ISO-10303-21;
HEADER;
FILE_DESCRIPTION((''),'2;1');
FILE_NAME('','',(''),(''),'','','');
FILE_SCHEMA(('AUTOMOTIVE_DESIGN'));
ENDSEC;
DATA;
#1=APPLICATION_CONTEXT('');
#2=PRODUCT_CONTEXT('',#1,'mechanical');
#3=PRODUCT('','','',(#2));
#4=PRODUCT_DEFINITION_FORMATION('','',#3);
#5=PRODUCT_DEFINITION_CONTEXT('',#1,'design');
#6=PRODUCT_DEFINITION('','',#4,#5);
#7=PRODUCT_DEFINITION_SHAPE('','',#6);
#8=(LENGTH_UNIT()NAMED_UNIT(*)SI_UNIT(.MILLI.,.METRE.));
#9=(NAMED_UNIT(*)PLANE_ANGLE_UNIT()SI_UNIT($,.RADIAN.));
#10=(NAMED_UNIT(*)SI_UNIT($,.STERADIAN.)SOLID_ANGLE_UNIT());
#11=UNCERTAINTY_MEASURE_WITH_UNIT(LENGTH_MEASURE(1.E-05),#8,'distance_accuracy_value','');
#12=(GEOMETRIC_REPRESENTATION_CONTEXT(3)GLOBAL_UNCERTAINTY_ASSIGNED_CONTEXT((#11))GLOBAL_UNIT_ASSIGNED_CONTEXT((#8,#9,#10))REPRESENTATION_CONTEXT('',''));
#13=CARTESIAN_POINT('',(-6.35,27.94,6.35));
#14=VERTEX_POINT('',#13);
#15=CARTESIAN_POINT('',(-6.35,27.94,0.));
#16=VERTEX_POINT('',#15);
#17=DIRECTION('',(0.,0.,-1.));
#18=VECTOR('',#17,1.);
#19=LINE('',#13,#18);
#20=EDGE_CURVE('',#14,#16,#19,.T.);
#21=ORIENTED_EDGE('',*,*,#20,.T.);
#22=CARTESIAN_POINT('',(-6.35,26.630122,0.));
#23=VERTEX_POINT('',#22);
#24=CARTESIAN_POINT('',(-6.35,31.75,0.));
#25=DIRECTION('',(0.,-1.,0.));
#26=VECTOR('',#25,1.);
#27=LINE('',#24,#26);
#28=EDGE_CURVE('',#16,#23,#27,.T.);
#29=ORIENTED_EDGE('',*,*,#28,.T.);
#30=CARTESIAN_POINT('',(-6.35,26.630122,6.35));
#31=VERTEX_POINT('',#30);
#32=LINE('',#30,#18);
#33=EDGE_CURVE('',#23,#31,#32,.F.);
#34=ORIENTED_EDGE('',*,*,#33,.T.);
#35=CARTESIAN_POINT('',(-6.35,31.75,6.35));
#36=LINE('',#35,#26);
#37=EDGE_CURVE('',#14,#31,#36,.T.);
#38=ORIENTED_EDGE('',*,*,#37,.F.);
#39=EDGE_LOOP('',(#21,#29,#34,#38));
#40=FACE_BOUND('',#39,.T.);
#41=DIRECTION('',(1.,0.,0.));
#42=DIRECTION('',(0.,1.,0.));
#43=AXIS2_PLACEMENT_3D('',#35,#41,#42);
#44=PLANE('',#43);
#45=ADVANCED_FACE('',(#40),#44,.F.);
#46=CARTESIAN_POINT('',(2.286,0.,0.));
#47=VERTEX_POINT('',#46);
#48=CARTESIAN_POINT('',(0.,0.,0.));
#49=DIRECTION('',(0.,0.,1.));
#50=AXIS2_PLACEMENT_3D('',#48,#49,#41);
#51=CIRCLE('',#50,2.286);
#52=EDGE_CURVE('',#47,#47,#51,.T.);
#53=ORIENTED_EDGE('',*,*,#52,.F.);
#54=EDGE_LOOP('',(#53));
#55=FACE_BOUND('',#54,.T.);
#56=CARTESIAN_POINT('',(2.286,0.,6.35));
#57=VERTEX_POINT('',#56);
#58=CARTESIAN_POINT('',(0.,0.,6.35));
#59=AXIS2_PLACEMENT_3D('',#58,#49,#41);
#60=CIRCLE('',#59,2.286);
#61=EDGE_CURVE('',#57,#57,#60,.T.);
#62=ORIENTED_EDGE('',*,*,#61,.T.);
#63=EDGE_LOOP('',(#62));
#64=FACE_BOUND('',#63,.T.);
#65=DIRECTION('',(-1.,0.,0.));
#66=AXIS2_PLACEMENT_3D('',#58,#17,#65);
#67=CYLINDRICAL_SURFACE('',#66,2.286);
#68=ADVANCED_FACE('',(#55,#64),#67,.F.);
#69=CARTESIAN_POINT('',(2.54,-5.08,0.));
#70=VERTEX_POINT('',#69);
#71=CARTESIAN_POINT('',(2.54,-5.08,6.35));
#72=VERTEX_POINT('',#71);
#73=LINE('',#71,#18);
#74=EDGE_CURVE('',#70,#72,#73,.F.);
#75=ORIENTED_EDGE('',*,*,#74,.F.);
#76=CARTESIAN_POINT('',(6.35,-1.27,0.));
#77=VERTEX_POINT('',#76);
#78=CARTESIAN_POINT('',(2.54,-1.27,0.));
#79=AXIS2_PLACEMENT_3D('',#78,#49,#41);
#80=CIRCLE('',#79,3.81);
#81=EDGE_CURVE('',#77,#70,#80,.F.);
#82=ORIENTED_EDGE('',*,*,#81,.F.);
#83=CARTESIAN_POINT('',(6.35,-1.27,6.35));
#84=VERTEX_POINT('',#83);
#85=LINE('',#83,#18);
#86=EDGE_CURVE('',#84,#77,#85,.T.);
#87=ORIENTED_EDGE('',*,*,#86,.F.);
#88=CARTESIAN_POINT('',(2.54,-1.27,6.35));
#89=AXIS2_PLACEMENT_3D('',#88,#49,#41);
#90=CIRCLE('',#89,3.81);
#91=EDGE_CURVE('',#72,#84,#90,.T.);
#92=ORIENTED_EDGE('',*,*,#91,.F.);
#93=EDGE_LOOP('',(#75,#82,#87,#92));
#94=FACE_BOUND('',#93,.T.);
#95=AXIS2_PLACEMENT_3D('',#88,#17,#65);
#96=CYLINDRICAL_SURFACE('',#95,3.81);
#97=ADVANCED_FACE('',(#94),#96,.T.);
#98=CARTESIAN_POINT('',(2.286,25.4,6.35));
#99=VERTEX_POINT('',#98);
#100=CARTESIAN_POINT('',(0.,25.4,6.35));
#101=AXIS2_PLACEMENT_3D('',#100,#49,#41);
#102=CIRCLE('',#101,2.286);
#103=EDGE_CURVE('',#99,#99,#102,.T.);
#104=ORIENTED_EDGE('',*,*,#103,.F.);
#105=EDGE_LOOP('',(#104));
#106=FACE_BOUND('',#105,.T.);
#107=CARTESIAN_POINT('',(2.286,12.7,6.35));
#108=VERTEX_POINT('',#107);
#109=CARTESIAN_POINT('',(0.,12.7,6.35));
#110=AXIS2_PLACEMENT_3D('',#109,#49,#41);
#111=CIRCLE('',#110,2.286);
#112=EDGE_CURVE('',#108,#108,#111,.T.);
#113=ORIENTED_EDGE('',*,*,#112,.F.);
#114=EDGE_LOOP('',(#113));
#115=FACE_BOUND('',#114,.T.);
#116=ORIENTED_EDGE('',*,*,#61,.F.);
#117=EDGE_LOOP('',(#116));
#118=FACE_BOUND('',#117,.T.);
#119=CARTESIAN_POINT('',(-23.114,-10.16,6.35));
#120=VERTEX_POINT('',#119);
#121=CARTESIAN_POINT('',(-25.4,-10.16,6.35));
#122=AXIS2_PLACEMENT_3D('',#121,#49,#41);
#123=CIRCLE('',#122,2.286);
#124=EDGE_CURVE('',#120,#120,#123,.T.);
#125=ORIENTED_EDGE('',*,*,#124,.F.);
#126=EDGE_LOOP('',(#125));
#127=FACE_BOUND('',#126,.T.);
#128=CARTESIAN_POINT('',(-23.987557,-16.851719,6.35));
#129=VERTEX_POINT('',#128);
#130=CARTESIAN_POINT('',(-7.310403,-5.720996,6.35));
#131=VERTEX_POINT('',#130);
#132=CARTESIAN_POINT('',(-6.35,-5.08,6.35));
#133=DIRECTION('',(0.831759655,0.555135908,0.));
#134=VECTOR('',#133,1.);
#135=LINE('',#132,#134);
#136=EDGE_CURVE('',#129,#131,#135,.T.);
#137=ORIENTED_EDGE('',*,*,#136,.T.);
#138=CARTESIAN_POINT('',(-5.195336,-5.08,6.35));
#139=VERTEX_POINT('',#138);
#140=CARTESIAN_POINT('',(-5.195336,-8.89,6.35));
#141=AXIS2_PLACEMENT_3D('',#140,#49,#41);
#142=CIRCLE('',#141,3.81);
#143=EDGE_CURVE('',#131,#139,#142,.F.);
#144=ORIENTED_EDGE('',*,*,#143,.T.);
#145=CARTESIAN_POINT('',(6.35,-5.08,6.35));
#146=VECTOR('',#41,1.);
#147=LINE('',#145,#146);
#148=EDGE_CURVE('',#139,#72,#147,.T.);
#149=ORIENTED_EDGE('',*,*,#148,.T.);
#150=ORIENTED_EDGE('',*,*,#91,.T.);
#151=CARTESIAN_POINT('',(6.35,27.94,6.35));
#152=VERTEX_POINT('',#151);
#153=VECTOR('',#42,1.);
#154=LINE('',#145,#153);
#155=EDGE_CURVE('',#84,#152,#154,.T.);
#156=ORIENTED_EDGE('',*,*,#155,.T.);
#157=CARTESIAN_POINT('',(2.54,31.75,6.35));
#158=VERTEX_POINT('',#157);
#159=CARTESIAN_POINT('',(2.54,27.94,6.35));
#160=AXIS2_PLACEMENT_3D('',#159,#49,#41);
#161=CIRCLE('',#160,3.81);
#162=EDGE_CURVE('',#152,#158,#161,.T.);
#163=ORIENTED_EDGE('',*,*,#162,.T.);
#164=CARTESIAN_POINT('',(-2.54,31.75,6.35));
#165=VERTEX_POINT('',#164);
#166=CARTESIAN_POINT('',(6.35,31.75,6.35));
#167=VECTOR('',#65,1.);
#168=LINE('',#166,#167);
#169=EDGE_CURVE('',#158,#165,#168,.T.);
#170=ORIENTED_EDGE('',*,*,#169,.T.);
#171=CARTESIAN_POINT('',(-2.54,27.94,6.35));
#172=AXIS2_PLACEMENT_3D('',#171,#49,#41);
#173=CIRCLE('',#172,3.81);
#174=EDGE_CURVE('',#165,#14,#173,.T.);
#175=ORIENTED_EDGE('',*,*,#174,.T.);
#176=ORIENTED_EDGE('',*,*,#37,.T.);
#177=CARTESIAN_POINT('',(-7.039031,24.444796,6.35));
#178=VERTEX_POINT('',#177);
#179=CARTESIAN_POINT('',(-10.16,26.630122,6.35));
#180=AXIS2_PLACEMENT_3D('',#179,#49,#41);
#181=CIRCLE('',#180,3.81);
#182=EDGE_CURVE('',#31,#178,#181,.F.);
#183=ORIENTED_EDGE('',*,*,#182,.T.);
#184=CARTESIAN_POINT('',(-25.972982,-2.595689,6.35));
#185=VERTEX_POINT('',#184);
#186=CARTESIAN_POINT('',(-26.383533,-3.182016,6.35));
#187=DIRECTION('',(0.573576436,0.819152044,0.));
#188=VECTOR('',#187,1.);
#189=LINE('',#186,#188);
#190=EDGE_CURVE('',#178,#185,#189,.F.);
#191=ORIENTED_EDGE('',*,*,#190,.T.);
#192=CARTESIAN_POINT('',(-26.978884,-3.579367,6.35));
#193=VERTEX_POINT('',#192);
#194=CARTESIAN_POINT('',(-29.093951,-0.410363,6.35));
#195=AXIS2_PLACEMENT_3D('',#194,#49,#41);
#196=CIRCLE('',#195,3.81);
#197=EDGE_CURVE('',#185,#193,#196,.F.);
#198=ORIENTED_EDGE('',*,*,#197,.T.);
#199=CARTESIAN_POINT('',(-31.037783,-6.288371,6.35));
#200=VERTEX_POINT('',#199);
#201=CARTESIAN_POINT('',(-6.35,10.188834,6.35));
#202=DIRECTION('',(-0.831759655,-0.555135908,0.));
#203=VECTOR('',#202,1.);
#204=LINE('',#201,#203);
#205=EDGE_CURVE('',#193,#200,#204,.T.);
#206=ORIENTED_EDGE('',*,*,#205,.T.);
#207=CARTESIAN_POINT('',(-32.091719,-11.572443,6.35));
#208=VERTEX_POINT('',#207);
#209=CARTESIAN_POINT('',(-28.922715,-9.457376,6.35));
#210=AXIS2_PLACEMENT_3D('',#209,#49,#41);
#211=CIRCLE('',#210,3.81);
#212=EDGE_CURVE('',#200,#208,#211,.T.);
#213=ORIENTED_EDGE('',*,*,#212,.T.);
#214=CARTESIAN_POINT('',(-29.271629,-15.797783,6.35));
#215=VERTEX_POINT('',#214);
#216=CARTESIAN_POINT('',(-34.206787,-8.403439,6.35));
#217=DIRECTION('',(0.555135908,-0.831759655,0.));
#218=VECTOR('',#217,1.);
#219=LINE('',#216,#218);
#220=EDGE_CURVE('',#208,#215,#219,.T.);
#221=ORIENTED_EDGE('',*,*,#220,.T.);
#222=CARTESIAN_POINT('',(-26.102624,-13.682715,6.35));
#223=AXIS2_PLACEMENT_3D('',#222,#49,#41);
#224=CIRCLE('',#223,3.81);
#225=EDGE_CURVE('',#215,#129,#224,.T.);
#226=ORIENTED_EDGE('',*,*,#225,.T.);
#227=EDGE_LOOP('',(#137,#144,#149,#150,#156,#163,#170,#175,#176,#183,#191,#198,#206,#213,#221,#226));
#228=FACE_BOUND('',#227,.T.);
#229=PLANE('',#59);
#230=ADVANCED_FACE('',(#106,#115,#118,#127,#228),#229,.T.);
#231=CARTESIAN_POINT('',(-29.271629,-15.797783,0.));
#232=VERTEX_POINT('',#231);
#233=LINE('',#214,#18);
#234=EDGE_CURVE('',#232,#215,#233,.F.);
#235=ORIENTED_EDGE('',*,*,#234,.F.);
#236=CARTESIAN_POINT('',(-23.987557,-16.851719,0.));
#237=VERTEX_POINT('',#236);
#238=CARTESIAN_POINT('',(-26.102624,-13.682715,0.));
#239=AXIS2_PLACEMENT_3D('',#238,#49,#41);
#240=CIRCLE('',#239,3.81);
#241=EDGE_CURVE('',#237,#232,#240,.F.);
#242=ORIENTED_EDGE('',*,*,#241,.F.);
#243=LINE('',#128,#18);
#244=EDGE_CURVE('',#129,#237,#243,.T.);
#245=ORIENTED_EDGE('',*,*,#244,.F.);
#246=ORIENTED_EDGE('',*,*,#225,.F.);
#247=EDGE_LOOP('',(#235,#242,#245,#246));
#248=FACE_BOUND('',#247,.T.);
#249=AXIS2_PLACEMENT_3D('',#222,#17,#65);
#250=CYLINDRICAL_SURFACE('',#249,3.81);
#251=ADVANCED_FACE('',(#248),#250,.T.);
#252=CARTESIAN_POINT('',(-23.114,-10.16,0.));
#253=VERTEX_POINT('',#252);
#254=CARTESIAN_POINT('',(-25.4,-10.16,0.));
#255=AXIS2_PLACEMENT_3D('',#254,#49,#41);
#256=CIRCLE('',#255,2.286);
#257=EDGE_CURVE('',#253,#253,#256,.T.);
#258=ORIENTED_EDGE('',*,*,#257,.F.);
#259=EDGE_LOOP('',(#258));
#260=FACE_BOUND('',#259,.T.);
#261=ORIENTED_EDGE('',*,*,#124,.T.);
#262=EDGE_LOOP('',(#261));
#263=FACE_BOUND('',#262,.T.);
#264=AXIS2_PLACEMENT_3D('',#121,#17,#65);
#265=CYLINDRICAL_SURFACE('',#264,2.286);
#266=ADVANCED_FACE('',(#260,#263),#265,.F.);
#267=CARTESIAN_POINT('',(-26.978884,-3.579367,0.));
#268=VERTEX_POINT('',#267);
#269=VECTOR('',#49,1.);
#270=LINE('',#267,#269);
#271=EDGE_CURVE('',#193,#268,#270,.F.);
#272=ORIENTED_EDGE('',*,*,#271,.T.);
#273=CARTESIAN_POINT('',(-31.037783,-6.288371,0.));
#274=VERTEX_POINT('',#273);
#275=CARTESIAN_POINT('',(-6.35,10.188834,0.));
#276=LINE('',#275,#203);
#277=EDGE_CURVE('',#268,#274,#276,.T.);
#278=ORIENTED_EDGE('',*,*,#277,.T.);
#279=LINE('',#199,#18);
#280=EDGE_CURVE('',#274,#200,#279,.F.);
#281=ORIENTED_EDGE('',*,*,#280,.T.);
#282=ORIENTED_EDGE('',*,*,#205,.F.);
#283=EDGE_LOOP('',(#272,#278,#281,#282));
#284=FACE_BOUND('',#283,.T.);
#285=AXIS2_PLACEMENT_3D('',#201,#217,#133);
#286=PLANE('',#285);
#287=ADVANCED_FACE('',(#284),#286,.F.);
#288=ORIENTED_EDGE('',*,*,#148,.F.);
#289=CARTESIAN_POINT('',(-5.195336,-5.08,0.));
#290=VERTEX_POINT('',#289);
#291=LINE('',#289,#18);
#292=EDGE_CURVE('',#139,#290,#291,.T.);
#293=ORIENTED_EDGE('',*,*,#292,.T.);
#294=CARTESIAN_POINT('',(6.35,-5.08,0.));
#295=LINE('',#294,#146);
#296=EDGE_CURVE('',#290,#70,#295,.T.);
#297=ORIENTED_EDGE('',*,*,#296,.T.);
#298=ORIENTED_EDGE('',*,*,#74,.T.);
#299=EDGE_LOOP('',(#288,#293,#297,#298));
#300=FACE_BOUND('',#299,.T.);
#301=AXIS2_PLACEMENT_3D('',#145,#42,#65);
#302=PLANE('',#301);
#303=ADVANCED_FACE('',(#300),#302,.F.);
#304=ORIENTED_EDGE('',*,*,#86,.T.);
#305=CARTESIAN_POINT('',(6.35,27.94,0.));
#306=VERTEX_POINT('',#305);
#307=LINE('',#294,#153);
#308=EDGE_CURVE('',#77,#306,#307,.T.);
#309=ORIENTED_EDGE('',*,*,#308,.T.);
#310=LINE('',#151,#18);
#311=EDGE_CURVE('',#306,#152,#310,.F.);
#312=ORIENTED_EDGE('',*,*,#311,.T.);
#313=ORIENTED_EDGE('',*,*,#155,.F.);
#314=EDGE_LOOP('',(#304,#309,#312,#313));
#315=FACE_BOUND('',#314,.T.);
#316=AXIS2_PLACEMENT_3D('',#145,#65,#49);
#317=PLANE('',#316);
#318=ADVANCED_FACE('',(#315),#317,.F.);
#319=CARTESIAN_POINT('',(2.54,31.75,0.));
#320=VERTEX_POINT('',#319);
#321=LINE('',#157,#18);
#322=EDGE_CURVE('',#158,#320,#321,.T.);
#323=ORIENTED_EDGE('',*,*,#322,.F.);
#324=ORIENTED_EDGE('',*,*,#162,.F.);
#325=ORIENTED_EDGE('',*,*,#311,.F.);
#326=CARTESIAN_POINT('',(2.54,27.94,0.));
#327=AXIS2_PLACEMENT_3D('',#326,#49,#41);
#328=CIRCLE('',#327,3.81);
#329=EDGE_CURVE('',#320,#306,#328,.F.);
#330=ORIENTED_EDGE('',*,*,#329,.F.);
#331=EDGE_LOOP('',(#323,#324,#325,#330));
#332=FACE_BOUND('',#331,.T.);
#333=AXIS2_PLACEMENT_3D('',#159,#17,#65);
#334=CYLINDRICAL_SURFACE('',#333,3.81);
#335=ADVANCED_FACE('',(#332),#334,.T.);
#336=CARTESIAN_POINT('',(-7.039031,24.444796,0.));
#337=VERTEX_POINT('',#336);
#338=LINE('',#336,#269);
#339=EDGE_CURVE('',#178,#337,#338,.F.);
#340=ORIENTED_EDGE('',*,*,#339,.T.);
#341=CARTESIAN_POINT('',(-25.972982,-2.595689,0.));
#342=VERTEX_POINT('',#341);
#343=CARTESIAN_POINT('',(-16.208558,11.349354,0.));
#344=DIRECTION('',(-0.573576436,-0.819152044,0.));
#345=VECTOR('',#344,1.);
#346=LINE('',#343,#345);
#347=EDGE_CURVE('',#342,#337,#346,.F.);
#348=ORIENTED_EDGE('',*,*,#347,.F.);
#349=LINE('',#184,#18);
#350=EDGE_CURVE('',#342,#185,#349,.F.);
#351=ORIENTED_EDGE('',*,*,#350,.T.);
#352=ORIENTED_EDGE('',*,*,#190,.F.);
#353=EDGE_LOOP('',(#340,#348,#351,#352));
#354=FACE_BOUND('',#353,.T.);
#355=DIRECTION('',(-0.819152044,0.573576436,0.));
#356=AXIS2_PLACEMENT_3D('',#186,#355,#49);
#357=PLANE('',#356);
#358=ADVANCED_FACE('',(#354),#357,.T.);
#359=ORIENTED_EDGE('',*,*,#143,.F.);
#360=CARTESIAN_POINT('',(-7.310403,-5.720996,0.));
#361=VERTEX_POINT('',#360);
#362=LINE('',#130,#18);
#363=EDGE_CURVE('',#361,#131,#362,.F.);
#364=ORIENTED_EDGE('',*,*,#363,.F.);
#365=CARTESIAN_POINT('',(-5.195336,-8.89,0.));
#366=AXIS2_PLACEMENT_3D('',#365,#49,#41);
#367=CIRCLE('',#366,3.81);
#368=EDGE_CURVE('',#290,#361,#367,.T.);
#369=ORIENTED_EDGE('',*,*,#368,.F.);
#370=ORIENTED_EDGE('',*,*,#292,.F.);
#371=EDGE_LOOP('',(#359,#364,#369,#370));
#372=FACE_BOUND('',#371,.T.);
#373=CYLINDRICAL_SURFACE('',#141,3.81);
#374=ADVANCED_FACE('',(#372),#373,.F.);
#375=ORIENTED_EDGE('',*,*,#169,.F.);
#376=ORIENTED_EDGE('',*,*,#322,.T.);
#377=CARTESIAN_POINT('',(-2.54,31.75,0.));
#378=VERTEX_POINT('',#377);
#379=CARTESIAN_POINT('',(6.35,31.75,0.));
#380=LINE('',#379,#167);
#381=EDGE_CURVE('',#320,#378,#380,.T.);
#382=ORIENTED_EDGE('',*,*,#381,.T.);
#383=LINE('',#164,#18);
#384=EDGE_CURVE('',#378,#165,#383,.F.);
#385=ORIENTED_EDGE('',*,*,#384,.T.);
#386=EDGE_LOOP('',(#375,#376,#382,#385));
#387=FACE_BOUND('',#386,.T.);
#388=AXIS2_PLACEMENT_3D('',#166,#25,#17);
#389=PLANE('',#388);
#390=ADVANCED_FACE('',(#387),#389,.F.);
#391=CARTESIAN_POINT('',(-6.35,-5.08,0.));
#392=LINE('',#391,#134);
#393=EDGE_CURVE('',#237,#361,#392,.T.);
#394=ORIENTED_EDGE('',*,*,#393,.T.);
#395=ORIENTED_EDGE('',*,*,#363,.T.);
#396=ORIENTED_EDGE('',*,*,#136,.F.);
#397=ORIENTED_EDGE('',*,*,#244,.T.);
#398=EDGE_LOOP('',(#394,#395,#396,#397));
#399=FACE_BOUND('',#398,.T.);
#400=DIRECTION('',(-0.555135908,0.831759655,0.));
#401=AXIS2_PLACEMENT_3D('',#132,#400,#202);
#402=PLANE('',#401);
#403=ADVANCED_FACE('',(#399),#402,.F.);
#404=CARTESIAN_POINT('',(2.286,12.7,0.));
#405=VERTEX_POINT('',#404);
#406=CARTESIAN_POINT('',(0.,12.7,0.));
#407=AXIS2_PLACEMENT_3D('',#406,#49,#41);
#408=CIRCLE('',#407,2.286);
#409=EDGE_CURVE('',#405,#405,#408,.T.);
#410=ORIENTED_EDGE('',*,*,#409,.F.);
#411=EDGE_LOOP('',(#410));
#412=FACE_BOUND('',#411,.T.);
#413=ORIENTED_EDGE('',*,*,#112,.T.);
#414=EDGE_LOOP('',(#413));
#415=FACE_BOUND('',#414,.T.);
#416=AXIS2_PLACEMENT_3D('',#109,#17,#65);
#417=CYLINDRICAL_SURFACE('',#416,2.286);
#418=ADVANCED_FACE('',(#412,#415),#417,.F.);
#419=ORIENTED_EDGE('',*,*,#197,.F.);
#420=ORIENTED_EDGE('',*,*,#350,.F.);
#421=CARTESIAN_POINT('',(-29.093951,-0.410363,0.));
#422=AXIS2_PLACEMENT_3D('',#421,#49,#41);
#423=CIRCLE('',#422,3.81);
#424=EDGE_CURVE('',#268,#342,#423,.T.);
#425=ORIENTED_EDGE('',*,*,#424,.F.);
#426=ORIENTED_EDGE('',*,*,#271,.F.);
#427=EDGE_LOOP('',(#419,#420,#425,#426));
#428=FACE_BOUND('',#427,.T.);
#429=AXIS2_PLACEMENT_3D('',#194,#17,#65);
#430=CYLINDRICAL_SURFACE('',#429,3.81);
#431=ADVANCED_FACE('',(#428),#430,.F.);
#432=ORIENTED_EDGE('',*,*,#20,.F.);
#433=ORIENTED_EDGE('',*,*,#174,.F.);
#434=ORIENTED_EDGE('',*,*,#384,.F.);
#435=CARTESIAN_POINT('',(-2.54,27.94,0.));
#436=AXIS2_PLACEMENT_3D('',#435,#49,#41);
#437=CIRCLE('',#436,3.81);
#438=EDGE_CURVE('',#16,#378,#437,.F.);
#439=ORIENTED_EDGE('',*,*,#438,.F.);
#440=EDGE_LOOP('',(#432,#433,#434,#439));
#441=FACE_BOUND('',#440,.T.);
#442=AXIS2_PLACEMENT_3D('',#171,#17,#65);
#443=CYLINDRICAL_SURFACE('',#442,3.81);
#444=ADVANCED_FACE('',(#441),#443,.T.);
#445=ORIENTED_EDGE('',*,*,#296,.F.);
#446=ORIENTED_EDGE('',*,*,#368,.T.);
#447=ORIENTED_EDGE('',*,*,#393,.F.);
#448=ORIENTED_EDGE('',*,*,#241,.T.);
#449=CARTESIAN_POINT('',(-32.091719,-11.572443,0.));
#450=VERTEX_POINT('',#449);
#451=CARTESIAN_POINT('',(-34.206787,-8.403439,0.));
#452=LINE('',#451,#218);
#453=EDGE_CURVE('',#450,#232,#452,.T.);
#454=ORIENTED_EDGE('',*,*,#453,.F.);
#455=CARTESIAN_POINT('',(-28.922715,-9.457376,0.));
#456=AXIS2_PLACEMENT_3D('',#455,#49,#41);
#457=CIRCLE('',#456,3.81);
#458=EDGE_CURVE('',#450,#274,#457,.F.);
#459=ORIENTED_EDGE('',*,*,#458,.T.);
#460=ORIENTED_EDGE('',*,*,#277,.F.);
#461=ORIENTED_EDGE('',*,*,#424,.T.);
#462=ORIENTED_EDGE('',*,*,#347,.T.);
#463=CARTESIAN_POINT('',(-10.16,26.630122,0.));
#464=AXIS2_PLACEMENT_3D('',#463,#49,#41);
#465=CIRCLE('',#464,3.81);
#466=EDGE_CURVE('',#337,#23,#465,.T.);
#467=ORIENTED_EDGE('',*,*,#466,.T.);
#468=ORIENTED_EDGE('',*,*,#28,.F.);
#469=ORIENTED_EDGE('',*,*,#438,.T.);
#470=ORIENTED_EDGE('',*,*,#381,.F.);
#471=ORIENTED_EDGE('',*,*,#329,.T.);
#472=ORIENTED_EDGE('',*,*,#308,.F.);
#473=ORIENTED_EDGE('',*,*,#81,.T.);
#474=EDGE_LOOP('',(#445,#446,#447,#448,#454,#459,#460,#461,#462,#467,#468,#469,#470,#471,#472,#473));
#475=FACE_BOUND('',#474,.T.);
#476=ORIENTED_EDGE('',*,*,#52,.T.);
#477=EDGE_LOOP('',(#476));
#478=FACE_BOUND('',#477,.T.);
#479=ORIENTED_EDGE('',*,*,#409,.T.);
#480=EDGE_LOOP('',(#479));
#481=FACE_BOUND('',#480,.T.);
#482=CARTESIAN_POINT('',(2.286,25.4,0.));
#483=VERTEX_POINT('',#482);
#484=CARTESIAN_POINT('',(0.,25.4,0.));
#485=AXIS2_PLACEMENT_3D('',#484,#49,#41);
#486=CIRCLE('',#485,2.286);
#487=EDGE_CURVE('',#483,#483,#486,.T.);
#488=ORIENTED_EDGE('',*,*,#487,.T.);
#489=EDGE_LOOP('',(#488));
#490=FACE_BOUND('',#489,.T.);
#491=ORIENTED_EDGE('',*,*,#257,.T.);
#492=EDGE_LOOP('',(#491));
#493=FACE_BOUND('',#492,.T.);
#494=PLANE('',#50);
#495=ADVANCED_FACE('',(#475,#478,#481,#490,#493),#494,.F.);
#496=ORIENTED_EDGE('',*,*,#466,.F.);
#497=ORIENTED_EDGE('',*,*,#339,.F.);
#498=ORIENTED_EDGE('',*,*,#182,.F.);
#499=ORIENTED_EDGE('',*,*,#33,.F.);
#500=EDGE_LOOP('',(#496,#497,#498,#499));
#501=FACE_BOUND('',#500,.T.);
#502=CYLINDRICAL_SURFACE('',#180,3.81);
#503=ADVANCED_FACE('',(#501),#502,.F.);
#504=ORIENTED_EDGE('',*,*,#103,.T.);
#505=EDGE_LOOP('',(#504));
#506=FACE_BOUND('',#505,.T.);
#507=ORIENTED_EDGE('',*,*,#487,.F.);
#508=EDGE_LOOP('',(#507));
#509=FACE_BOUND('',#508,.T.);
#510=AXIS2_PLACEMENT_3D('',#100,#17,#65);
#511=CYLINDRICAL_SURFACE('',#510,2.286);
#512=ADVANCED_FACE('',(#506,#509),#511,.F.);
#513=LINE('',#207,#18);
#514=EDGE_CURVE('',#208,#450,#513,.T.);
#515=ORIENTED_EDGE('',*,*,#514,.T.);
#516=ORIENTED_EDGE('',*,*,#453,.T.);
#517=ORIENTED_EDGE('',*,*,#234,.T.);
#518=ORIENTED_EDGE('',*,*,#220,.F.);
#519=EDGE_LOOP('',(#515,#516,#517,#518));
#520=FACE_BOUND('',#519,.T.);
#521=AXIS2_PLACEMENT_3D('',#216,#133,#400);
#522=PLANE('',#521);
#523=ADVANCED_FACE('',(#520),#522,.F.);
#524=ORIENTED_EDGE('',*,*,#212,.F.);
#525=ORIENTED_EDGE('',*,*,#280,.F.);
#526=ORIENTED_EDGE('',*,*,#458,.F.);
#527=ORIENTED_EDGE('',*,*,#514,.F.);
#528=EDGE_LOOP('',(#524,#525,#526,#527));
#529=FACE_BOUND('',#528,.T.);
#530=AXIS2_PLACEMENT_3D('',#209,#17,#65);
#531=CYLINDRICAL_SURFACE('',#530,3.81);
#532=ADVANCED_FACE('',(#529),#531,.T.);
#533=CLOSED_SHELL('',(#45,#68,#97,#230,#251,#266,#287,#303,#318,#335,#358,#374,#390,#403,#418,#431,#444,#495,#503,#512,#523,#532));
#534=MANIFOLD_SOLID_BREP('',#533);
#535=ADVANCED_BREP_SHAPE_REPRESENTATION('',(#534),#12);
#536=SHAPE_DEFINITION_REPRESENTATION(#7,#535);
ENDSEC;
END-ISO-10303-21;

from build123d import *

# Parameters (mm, degrees)
SKETCH1_R           = 2.286
BOSS_EXTRUDE1_DEPTH = 6.35
CHAMFER1_SIZE       = 15.24
CHAMFER1_SIZE2      = 24.085722971
FILLET1_R           = 3.81


with BuildPart() as part:
    # Sketch1 → Boss-Extrude1 (new body)
    with BuildSketch(Plane.XY):
        Polygon((-6.35, 31.75), (-6.35, 10.18883388), (-34.206786825, -8.403439207), (-27.156560793, -18.966786825), (-6.35, -5.08), (6.35, -5.08), (6.35, 31.75), align=None)
        Circle(SKETCH1_R, mode=Mode.SUBTRACT)
        with Locations((0, 25.4)):
            Circle(SKETCH1_R, mode=Mode.SUBTRACT)
        with Locations((-25.4, -10.16)):
            Circle(SKETCH1_R, mode=Mode.SUBTRACT)
        with Locations((0, 12.7)):
            Circle(SKETCH1_R, mode=Mode.SUBTRACT)
    extrude(amount=BOSS_EXTRUDE1_DEPTH)

    # Chamfer1
    chamfer1_edges = [part.edges().sort_by_distance(p)[0] for p in [
        (-6.35, 10.18883388, 3.175),
    ]]
    chamfer1_side = [part.faces().sort_by_distance(p)[0] for p in [
        (-6.35, 20.96941694, 3.175),
    ]]
    chamfer(chamfer1_edges, length=CHAMFER1_SIZE, length2=CHAMFER1_SIZE2, reference=chamfer1_side[0])

    # Fillet1
    fillet1_edges = [part.edges().sort_by_distance(p)[0] for p in [
        (6.35, 31.75, 3.175),
        (6.35, -5.08, 3.175),
        (-6.35, -5.08, 3.175),
        (-27.156560793, -18.966786825, 3.175),
        (-34.206786825, -8.403439207, 3.175),
        (-6.35, 31.75, 3.175),
        (-26.383532628, -3.182015811, 3.175),
        (-6.35, 25.42883388, 3.175),
    ]]
    fillet(fillet1_edges, radius=FILLET1_R)


solid = part.part
